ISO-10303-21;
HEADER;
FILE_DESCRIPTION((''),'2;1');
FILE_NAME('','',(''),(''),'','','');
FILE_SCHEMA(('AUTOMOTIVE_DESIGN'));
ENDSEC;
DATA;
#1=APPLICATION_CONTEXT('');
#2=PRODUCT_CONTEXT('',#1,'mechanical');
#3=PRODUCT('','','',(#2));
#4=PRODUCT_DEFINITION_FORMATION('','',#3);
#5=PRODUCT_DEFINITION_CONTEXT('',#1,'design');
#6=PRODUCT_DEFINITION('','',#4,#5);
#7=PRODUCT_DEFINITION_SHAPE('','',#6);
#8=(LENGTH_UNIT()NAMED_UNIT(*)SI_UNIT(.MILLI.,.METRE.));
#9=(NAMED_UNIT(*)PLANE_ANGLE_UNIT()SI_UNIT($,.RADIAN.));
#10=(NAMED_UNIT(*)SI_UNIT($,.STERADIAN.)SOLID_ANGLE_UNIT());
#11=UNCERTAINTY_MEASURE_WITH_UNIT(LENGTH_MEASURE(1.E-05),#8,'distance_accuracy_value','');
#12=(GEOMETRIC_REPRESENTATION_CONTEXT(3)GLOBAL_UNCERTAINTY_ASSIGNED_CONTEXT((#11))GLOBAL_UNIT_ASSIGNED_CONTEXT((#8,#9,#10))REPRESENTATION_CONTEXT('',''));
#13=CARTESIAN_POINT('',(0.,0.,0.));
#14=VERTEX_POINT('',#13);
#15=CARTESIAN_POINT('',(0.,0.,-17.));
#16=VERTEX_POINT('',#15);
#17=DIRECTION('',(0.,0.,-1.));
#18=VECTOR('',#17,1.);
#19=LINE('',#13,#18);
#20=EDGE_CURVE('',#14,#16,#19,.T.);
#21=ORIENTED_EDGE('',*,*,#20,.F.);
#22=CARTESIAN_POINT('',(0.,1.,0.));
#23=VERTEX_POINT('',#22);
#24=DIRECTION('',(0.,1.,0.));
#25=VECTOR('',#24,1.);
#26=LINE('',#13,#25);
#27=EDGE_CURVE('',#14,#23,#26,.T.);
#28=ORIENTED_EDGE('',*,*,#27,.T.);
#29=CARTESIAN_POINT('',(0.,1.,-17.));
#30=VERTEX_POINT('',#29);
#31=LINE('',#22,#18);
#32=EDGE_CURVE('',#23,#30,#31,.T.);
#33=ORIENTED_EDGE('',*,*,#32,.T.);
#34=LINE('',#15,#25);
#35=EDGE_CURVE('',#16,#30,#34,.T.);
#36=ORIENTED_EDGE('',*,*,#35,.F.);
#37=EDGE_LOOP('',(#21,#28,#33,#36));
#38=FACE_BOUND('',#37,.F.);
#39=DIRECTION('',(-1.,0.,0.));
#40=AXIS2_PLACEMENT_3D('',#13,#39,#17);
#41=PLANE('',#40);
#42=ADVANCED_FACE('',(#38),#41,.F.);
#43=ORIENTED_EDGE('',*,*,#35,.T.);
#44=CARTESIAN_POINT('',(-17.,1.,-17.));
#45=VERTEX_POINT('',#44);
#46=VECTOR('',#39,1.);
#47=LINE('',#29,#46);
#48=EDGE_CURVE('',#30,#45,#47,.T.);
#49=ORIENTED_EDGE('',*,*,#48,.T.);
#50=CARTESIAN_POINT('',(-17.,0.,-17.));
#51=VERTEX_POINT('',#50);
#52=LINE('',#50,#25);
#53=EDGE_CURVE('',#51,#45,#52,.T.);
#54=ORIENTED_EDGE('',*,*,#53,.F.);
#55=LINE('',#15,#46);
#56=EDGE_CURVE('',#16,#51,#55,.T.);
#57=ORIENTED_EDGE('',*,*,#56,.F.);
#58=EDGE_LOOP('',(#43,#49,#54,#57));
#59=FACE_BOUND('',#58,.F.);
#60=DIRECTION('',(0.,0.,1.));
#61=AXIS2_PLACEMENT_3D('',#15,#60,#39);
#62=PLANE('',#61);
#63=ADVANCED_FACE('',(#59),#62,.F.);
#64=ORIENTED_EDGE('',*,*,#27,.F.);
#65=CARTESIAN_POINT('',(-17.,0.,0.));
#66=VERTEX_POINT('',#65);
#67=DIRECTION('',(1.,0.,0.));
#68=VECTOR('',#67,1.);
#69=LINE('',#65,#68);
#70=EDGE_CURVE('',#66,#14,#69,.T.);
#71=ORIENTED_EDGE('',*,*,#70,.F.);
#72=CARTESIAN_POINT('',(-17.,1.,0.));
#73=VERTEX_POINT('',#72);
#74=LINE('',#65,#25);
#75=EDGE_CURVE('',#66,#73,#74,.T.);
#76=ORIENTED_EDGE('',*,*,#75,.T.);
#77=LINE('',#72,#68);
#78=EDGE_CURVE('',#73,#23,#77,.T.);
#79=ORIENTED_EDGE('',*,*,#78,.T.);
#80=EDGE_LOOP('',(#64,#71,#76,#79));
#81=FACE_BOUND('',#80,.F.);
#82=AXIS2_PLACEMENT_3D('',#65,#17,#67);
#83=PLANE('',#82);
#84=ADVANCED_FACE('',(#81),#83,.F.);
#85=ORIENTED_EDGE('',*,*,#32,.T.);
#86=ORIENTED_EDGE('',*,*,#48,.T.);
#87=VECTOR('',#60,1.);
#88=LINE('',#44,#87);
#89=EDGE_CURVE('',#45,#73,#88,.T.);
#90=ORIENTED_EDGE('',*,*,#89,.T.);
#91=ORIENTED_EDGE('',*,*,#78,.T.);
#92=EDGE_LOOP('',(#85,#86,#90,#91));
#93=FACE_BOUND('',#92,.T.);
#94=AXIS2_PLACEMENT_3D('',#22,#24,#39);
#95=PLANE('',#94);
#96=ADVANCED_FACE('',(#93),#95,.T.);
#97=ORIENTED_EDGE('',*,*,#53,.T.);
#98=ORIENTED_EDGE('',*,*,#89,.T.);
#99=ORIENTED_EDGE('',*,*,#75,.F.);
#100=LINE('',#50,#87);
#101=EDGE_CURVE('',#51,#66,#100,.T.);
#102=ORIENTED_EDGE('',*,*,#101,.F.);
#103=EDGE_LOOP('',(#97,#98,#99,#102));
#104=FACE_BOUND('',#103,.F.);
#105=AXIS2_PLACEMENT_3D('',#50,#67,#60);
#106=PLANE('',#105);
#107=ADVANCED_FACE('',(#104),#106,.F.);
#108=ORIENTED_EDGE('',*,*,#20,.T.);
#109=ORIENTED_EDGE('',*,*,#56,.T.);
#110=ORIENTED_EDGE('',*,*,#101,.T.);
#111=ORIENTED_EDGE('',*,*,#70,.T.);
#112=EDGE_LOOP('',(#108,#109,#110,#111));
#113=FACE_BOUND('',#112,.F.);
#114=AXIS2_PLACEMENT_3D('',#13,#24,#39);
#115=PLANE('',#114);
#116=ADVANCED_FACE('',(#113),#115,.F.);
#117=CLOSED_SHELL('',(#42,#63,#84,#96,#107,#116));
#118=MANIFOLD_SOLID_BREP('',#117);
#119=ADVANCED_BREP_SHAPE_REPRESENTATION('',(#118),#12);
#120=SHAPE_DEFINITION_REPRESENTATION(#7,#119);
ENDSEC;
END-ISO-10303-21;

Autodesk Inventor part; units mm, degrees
ref_plane "YZ Plane" through (0, 0, 0) normal (1, 0, 0) x (0, 1, 0)
ref_plane "XZ Plane" through (0, 0, 0) normal (0, 1, 0) x (-1, 0, 0)
ref_plane "XY Plane" through (0, 0, 0) normal (0, 0, 1) x (1, 0, 0)
sketch "Sketch1" plane through (0, 0, 0) normal (0, 1, 0) x (-1, 0, 0)
  line L0 (0, 0) -> (0, -17)
  line L1 (0, -17) -> (17, -17)
  line L2 (17, -17) -> (17, 0)
  line L3 (17, 0) -> (0, 0)
  dimension "d0" = 17
  dimension "d1" = 17
extrude "Extrusion1" add sketch "Sketch1" along normal blind 1
sketch "Sketch2" plane through (0, 1, 0) normal (0, 1, 0) x (1, 0, 0)
  line L0 (-17, 17) -> (-17, 0) projected
  line L1 (0, 17) -> (-17, 17) projected
  line L2 (-17, 0) -> (0, 0) projected
properties part number "rubber"
